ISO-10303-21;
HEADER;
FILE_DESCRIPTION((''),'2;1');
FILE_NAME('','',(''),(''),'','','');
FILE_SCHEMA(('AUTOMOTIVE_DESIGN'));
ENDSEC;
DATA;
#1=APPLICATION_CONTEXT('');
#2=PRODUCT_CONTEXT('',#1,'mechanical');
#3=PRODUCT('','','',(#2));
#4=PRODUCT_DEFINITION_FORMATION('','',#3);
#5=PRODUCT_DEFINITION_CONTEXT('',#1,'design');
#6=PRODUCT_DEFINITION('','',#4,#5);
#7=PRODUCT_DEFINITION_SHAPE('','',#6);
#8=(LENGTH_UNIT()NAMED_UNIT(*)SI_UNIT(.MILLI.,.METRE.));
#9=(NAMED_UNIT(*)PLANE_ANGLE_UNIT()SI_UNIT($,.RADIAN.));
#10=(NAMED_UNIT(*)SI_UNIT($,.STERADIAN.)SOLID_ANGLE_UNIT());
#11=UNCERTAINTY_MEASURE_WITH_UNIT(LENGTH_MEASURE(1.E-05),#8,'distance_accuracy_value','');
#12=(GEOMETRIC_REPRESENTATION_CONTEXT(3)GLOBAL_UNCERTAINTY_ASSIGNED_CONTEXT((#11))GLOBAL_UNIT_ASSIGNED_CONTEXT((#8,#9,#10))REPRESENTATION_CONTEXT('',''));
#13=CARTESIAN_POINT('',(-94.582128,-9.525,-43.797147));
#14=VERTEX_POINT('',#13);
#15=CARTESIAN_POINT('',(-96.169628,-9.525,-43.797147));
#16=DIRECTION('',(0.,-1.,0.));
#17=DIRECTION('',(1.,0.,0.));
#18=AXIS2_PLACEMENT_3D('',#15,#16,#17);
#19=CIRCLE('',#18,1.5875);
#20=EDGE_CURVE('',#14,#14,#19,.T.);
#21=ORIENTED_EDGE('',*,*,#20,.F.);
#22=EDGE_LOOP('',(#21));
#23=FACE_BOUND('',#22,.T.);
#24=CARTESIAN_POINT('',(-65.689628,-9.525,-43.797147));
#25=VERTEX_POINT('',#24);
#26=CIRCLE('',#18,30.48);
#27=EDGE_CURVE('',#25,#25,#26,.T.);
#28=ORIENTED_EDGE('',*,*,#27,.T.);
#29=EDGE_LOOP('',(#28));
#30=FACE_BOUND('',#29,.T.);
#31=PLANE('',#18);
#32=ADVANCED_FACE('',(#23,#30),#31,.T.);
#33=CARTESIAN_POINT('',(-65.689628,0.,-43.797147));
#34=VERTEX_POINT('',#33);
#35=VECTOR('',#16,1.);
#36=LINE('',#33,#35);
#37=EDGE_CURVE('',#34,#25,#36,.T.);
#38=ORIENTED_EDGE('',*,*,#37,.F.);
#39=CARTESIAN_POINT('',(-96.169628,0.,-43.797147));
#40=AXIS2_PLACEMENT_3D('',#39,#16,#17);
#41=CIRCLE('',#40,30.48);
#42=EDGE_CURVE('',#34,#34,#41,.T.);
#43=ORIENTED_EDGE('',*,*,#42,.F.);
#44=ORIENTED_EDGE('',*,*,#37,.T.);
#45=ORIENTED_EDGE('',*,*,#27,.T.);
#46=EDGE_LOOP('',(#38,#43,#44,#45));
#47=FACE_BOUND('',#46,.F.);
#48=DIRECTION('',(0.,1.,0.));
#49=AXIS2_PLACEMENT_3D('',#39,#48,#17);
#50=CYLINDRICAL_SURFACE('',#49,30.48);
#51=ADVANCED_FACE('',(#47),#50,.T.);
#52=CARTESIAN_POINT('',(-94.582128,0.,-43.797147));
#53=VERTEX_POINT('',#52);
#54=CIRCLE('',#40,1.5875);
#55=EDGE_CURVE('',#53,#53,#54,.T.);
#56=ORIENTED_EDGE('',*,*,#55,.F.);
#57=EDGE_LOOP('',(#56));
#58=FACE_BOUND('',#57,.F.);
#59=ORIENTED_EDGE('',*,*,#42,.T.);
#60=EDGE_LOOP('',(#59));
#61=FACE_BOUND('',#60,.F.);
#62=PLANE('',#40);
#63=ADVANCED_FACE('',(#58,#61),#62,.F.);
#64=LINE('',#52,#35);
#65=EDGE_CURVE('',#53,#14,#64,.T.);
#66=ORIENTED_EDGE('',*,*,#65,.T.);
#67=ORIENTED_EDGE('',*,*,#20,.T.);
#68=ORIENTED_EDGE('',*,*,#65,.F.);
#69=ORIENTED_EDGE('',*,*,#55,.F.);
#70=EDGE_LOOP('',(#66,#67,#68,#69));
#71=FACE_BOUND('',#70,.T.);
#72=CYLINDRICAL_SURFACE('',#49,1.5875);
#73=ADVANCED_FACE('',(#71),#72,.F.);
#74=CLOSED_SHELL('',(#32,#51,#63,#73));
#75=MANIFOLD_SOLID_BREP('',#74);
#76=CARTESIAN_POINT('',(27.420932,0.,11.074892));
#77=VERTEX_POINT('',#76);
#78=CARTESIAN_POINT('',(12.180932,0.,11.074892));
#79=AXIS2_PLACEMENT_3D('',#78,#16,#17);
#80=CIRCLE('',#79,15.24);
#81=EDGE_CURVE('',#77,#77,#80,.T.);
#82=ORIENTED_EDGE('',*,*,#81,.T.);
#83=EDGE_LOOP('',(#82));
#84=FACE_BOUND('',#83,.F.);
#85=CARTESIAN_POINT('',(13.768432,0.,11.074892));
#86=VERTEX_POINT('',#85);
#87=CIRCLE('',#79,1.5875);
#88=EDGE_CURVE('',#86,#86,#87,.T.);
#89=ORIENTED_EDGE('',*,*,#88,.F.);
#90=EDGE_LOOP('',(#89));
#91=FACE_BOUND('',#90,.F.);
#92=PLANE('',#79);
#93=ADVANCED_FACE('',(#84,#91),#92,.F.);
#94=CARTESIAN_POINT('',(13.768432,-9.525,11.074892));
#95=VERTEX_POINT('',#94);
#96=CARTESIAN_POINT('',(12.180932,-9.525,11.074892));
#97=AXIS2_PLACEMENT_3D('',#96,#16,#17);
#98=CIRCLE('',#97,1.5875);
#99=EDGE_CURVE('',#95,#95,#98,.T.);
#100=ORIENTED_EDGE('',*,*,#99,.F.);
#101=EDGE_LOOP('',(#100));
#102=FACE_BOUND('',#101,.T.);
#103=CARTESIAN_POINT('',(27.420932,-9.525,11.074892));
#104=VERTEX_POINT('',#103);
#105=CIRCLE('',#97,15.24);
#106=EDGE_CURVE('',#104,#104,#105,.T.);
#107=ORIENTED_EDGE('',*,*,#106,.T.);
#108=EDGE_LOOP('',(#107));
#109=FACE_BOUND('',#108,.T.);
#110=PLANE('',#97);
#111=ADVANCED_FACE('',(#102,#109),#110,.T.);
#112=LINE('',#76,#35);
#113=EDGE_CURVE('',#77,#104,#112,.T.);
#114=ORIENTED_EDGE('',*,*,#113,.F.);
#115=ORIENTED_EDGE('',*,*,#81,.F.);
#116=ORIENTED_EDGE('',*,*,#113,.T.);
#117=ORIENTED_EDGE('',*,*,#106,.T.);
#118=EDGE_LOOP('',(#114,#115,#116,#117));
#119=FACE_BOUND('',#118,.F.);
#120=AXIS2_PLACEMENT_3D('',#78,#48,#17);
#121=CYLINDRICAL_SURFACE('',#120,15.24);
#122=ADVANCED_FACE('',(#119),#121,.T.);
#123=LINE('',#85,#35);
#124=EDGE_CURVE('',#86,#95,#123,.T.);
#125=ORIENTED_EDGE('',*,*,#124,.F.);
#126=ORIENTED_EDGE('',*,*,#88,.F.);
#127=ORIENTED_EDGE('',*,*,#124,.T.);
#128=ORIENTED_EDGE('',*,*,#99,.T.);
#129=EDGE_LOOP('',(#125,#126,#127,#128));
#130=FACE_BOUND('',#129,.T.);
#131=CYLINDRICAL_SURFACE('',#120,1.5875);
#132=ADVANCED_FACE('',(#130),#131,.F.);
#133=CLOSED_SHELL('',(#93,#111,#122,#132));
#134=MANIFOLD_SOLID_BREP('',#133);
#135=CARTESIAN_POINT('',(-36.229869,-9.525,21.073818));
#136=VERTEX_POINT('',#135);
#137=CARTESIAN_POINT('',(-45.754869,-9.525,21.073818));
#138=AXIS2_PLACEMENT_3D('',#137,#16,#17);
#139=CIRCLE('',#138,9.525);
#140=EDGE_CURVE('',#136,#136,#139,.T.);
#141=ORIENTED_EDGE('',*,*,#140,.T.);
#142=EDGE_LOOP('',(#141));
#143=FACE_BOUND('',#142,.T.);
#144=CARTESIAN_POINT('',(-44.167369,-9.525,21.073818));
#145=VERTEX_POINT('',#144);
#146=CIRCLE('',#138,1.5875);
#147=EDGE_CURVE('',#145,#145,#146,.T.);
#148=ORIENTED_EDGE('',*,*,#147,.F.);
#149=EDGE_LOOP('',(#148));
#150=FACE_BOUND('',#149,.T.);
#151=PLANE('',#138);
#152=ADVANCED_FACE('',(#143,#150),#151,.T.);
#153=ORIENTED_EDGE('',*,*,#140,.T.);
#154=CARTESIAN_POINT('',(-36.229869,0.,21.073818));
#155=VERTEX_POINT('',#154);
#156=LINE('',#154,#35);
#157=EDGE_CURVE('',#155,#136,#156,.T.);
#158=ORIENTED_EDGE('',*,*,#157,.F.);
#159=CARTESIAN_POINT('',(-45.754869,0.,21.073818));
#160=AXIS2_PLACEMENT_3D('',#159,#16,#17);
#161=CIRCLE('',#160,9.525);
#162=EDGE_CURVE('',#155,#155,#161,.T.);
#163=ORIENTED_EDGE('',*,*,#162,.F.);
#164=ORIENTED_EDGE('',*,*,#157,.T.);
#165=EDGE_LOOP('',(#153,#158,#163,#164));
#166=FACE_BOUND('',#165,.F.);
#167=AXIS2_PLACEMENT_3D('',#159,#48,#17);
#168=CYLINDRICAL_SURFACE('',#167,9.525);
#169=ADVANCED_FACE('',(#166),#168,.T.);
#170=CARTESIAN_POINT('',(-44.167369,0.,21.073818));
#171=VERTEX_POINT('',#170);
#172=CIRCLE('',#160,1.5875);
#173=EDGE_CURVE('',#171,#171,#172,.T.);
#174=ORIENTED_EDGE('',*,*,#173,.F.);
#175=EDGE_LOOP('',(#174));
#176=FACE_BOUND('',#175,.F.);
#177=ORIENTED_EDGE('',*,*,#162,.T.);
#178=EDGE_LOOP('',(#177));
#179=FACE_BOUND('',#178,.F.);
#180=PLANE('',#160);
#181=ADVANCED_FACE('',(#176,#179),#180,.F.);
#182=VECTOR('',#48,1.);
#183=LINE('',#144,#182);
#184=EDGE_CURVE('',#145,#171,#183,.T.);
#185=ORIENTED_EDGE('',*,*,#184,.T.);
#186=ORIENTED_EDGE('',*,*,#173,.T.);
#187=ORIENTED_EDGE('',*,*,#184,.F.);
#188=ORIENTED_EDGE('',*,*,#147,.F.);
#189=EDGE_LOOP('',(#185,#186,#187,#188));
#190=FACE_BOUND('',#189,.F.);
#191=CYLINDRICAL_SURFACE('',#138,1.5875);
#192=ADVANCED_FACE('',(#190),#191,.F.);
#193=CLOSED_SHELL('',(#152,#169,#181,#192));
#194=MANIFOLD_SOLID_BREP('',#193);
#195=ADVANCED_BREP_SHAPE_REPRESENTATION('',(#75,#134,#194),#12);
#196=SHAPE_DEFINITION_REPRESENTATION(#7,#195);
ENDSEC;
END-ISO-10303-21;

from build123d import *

# Parameters (mm, degrees)
F0_R     = 9.525
F1_DEPTH = 9.525
F2_R     = 15.24
F2_R_2   = 1.5875
F2_R_3   = 30.48
F3_DEPTH = 9.525
F4_R     = 1.5875
F5_DEPTH = 25.4


with BuildPart() as f1:
    # F0 (on Front) → F1 (new body)
    with BuildSketch(Plane.XZ):
        with Locations((-45.754869, 21.073818)):
            Circle(F0_R)
    extrude(amount=F1_DEPTH)

    # F4 (on face) → F5 (cut)
    with BuildSketch(Plane.XZ.offset(9.525)):
        with Locations((-45.754869, 21.073818)):
            Circle(F4_R)
    extrude(amount=-F5_DEPTH, mode=Mode.SUBTRACT)


with BuildPart() as f3:
    # F2 (on Front) → F3 (new body)
    with BuildSketch(Plane.XZ):
        with Locations((12.180932, 11.074892)):
            Circle(F2_R)
        with Locations((12.180932, 11.074892)):
            Circle(F2_R_2, mode=Mode.SUBTRACT)
        with Locations((-96.169628, -43.797147)):
            Circle(F2_R_3)
        with Locations((-96.169628, -43.797147)):
            Circle(F2_R_2, mode=Mode.SUBTRACT)
    extrude(amount=F3_DEPTH)


solid = Compound([f1.part, f3.part])
